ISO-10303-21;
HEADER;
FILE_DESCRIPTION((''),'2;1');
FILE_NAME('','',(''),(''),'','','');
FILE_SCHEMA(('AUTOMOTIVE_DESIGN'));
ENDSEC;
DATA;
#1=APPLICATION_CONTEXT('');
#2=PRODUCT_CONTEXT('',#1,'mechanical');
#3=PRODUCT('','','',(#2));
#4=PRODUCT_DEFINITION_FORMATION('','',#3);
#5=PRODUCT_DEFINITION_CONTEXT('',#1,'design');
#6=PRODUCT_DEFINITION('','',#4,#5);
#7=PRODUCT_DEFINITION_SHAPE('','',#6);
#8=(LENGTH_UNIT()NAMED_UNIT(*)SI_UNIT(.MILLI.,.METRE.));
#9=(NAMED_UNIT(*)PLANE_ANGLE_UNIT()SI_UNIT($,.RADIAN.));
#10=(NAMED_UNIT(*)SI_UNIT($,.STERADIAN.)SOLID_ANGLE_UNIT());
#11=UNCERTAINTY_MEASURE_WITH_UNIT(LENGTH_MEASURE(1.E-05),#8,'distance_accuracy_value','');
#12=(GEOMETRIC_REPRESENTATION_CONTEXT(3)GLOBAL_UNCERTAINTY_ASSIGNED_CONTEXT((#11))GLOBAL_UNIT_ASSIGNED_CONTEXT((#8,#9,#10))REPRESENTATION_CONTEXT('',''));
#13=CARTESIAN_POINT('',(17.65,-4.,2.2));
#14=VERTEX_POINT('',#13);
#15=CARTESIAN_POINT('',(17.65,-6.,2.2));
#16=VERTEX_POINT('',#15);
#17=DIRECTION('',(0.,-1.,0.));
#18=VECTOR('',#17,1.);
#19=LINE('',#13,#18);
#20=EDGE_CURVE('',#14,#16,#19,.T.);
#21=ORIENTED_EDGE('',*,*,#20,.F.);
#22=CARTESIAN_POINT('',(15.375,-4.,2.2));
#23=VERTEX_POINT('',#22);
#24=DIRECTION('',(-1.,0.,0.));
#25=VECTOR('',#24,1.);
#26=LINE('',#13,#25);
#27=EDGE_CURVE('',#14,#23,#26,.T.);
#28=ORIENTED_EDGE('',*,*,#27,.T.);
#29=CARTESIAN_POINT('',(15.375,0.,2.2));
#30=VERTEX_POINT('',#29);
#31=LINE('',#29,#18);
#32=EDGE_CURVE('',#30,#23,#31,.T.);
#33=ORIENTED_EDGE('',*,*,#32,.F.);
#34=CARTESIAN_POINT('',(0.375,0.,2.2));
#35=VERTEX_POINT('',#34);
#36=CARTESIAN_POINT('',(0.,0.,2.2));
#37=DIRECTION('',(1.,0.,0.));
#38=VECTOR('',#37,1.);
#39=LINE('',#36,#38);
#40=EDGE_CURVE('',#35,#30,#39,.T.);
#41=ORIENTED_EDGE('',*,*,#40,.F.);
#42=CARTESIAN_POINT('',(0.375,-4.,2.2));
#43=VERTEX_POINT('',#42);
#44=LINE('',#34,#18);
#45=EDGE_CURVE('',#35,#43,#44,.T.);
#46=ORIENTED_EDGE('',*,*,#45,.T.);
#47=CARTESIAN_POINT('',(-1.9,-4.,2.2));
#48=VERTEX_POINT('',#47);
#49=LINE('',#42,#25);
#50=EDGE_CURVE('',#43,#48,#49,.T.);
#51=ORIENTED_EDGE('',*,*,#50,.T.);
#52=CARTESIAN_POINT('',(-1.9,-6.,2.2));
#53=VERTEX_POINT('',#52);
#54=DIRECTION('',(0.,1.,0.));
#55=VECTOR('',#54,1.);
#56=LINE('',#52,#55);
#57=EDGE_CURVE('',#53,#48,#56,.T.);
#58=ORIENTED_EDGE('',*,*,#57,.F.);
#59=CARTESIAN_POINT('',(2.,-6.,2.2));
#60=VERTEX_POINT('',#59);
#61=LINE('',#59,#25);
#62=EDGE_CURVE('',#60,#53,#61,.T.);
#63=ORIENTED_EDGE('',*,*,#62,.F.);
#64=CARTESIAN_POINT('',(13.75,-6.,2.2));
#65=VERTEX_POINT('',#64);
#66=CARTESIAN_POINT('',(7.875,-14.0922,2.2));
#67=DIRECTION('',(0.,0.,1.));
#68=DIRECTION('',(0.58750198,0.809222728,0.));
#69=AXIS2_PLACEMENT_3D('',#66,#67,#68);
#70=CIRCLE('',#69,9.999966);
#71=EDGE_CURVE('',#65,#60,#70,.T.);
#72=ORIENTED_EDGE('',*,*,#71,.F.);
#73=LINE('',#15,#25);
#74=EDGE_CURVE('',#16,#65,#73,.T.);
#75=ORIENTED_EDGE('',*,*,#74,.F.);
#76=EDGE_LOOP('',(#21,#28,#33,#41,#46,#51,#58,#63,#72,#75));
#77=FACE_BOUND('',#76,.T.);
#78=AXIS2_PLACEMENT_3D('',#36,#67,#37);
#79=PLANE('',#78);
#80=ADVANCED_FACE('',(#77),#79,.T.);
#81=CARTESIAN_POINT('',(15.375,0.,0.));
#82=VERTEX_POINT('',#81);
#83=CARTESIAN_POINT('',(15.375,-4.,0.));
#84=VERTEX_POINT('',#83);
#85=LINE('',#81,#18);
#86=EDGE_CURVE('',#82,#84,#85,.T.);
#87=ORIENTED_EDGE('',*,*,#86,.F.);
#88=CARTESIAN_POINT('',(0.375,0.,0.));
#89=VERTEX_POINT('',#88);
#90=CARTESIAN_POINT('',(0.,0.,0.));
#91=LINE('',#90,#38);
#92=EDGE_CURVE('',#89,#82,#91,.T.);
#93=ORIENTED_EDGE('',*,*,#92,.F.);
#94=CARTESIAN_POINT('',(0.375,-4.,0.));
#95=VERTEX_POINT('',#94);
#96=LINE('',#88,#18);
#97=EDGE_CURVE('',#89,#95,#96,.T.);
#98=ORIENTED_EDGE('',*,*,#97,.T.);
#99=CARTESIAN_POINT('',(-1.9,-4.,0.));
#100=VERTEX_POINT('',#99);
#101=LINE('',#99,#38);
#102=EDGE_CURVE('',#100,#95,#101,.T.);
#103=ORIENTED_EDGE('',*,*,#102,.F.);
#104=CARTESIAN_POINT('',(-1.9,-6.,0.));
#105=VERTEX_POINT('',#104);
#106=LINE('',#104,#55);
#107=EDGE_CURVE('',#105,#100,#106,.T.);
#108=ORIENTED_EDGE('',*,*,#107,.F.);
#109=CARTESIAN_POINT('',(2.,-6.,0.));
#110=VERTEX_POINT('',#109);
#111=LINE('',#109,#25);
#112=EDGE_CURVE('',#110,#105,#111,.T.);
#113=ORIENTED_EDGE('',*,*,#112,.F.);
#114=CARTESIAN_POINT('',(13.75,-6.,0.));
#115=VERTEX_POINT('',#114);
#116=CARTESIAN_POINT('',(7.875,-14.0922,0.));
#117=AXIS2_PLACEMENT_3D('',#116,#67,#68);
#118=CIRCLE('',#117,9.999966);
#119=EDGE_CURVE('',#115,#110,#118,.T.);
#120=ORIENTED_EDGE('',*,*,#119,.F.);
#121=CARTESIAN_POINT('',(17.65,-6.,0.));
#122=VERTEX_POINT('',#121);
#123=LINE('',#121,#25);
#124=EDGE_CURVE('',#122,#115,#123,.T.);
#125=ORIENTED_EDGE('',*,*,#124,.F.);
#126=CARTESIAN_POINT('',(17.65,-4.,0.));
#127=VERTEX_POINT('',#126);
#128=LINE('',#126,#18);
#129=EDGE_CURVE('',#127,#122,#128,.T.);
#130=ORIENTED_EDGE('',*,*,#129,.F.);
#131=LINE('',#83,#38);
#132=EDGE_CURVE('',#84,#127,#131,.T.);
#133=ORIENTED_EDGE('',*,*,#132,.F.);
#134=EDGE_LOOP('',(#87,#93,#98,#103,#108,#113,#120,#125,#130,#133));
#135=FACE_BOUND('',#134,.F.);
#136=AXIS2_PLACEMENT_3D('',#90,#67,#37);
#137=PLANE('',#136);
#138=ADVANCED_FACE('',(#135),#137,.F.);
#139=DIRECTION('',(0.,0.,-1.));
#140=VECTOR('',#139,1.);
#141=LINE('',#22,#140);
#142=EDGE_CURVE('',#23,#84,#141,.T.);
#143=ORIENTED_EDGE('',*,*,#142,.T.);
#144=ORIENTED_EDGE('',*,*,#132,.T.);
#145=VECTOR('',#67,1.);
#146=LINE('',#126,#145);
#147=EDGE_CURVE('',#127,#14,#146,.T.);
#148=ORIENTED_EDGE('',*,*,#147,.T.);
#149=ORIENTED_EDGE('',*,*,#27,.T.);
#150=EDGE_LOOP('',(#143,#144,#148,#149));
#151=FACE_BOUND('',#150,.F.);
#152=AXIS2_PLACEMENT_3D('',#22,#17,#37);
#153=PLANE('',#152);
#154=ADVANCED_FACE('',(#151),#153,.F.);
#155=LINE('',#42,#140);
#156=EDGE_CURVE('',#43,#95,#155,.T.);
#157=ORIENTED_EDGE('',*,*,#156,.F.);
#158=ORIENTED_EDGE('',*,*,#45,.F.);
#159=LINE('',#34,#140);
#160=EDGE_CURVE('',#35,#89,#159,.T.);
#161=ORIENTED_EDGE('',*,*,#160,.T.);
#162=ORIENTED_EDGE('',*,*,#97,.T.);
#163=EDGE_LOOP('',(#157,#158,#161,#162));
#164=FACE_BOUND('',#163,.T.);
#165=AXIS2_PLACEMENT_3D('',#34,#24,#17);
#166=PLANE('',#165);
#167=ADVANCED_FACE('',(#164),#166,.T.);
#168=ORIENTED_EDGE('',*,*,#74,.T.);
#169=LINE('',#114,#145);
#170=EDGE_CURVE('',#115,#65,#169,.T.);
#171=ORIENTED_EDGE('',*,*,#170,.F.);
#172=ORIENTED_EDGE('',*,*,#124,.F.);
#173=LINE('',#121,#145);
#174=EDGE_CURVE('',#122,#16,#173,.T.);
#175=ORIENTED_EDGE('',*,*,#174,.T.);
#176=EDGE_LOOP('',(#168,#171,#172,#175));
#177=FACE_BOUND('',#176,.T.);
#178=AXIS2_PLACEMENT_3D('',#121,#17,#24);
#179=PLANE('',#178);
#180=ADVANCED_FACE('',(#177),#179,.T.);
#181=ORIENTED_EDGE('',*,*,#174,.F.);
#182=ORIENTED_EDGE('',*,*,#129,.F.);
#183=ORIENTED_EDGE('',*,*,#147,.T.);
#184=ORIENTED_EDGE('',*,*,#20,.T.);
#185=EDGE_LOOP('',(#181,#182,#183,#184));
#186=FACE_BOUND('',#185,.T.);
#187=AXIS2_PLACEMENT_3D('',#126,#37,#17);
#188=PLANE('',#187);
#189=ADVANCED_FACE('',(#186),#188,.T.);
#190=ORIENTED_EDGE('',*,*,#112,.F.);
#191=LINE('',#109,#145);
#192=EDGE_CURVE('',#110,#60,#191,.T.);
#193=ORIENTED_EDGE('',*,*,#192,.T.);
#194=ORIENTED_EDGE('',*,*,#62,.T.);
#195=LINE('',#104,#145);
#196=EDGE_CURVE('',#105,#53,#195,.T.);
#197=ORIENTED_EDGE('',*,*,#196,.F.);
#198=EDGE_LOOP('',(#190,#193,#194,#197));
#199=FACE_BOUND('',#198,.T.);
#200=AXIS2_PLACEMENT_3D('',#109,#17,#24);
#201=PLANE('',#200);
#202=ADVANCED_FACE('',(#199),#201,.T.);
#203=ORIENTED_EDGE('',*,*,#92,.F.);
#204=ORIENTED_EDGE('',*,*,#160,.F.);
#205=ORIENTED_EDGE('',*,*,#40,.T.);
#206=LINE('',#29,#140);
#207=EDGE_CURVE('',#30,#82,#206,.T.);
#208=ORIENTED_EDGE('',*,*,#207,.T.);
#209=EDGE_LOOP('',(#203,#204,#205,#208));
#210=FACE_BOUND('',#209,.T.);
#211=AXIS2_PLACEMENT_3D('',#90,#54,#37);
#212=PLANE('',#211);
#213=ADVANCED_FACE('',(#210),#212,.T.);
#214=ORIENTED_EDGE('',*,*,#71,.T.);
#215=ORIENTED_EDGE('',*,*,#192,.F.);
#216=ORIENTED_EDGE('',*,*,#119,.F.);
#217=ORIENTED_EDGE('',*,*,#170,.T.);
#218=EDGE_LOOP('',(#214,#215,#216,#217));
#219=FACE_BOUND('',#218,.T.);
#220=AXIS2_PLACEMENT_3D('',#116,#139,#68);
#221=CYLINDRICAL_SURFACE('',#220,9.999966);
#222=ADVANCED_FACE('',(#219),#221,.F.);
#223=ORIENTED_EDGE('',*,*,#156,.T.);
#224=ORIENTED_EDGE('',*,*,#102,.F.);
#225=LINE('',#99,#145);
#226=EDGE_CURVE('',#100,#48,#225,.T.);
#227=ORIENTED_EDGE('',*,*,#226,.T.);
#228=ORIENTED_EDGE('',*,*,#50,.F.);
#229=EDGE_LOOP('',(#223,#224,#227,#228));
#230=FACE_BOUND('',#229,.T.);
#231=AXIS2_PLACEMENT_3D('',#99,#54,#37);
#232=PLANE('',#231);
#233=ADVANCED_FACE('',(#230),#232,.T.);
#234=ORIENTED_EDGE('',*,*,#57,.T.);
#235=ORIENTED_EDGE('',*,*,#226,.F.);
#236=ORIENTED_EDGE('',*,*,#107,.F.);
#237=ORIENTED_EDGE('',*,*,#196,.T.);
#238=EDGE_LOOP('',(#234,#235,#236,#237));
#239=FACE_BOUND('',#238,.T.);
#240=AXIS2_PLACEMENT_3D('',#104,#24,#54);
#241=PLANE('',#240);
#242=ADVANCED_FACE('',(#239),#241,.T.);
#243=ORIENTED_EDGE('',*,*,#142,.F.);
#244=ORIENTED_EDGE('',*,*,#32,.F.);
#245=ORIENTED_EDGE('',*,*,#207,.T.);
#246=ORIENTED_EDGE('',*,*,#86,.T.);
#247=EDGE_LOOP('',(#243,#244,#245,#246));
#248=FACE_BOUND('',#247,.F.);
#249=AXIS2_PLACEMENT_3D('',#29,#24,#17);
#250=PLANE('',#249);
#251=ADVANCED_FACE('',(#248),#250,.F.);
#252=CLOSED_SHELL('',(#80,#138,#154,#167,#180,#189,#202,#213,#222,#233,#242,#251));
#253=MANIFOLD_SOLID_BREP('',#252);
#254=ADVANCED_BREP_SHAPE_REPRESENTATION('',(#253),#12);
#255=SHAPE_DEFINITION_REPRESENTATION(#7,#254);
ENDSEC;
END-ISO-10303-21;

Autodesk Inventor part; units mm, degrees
ref_plane "YZ Plane" through (0, 0, 0) normal (1, 0, 0) x (0, 1, 0)
ref_plane "XZ Plane" through (0, 0, 0) normal (0, 1, 0) x (-1, 0, 0)
ref_plane "XY Plane" through (0, 0, 0) normal (0, 0, 1) x (1, 0, 0)
sketch "Sketch1" plane through (0, 0, 0) normal (0, 0, 1) x (1, 0, 0)
  line L0 (0, 0) -> (15.75, 0)
  line L1 (15.75, 0) -> (15.75, -4)
  line L2 (0, -4) -> (0, 0)
  line L3 (17.65, -4) -> (17.65, -6)
  line L4 (-1.9, -6) -> (-1.9, -4)
  line L5 (-1.9, -4) -> (0, -4)
  line L6 (15.75, -4) -> (17.65, -4)
  line L7 (2, 0) -> (2, -6) construction
  line L8 (13.75, 0) -> (13.75, -6) construction
  arc A0 (13.75, -6) -> (2, -6) centre (7.875, -14.0922) ccw
  line L9 (17.65, -6) -> (13.75, -6)
  line L10 (2, -6) -> (-1.9, -6)
  dimension "d2" = 1.9
  dimension "d3" = 4
  dimension "d4" = 2
  dimension "d5" = 15.75
  dimension "d6" = 2
  dimension "d7" = 2
  dimension "d8" = 10
extrude "Extrusion1" add sketch "Sketch1" along normal blind 2.2
sketch "Sketch2" plane through (0, 0, 2.2) normal (0, 0, 1) x (1, 0, 0)
  line L0 (0, 0) -> (0.375, 0)
  line L1 (0.375, 0) -> (0.375, -4)
  line L2 (0.375, -4) -> (0, -4)
  line L3 (0, -4) -> (0, 0)
  line L4 (15.75, 0) -> (0, 0) projected
  line L5 (15.75, 0) -> (15.375, 0)
  line L6 (15.375, 0) -> (15.375, -4)
  line L7 (15.375, -4) -> (15.75, -4)
  line L8 (15.75, -4) -> (15.75, 0)
  dimension "d11" = 15
  dimension "d12" = 4
extrude "Extrusion2" cut sketch "Sketch2" against normal up to surface (2.2 mm away)
properties part number "Light Pipe modern"
